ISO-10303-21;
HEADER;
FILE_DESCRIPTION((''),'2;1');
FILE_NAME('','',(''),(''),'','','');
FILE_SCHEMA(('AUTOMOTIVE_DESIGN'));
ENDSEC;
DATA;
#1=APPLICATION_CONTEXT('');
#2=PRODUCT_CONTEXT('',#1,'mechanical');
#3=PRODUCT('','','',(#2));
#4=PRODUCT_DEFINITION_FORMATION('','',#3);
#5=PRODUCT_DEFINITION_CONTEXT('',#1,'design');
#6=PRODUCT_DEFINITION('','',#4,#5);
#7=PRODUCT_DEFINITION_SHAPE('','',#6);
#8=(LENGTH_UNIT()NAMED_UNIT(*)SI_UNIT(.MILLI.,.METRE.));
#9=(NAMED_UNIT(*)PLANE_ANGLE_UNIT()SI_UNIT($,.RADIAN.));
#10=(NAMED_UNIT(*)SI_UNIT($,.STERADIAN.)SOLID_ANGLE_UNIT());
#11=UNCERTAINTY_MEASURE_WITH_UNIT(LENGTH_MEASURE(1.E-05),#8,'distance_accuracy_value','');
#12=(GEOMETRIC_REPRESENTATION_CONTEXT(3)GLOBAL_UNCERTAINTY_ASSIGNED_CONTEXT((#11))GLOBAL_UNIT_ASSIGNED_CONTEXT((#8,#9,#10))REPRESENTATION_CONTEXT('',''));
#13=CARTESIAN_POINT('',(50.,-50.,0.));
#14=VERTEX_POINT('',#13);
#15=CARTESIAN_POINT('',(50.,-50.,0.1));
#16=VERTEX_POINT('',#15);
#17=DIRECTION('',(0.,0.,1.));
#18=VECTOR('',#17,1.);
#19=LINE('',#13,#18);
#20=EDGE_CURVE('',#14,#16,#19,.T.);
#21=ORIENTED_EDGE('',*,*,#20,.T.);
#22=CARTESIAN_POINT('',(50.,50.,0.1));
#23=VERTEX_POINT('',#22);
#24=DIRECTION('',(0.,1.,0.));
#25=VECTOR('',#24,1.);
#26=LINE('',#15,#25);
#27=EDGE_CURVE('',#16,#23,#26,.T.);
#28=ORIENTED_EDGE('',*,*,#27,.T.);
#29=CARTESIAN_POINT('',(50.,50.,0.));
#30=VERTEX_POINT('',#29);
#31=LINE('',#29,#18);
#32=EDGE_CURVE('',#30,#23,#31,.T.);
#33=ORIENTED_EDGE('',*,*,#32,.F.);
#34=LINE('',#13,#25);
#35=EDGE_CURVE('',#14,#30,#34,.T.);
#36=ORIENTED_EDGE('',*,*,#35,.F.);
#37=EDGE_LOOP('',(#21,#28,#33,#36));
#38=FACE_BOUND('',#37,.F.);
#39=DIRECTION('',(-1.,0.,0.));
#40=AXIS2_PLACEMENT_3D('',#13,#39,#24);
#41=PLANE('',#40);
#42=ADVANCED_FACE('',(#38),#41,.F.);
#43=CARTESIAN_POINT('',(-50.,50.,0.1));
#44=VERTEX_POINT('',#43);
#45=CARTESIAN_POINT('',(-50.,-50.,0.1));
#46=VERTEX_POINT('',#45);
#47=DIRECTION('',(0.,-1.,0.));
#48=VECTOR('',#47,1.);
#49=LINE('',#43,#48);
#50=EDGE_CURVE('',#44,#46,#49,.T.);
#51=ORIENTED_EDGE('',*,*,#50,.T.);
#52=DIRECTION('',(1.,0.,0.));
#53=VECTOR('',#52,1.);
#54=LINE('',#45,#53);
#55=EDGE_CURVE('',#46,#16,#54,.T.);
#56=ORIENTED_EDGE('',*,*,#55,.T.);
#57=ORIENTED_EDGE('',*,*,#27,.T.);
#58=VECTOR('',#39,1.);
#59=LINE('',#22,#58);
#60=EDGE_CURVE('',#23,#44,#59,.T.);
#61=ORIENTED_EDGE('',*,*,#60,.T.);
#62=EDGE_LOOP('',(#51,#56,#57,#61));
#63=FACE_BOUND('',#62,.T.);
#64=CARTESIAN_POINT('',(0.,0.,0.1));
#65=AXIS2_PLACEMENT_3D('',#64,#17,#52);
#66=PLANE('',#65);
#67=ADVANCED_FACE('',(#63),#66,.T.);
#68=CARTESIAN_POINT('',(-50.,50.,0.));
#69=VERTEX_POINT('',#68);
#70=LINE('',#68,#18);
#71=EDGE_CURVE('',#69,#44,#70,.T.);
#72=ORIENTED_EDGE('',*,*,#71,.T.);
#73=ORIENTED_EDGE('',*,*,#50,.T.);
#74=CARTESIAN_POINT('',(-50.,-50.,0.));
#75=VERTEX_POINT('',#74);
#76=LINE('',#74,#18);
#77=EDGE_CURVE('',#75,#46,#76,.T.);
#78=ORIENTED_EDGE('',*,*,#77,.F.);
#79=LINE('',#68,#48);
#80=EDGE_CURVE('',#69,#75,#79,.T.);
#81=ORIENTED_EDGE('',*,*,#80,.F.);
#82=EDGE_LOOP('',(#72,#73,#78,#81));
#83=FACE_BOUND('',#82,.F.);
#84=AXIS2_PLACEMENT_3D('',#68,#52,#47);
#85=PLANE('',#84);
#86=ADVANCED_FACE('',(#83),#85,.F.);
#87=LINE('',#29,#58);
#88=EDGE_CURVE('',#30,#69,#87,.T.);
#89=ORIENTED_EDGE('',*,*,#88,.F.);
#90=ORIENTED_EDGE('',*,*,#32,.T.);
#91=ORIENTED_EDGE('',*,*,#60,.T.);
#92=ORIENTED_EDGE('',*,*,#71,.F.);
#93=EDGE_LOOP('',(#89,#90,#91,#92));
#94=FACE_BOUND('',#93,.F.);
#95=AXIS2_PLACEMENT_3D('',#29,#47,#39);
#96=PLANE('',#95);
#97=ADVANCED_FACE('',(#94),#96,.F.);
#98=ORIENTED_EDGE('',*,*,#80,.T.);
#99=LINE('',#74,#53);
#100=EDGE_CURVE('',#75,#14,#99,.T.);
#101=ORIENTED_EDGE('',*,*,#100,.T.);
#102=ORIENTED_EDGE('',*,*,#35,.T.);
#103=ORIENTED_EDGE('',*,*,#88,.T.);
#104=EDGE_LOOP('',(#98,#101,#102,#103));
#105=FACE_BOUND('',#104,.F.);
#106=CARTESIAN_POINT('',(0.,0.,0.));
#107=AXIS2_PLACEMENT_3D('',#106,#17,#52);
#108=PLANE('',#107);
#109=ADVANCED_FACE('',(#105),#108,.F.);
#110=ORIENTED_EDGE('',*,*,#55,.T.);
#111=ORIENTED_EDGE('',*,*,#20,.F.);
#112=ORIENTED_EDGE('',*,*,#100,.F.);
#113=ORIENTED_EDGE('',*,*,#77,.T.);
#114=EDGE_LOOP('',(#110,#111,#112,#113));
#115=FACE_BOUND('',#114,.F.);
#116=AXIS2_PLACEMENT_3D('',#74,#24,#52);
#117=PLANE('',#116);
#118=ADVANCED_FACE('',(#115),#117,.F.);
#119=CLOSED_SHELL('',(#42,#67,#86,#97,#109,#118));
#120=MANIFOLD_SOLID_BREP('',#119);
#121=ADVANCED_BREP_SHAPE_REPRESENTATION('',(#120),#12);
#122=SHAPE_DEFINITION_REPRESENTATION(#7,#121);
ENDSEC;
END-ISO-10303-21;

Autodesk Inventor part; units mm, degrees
ref_plane "YZ Plane" through (0, 0, 0) normal (1, 0, 0) x (0, 1, 0)
ref_plane "XZ Plane" through (0, 0, 0) normal (0, 1, 0) x (-1, 0, 0)
ref_plane "XY Plane" through (0, 0, 0) normal (0, 0, 1) x (1, 0, 0)
sketch "スケッチ1" plane through (0, 0, 0) normal (0, 0, 1) x (1, 0, 0)
  line L0 (-50, -50) -> (50, -50)
  line L1 (50, -50) -> (50, 50)
  line L2 (50, 50) -> (-50, 50)
  line L3 (-50, 50) -> (-50, -50)
  line L4 (-50, -50) -> (50, 50) construction
  line L5 (50, -50) -> (-50, 50) construction
  point P0 (0, 0)
  dimension "d0" = 100
  dimension "d1" = 100
extrude "押し出し1" add sketch "スケッチ1" along normal blind 0.1
properties part number "Dummy_board"
